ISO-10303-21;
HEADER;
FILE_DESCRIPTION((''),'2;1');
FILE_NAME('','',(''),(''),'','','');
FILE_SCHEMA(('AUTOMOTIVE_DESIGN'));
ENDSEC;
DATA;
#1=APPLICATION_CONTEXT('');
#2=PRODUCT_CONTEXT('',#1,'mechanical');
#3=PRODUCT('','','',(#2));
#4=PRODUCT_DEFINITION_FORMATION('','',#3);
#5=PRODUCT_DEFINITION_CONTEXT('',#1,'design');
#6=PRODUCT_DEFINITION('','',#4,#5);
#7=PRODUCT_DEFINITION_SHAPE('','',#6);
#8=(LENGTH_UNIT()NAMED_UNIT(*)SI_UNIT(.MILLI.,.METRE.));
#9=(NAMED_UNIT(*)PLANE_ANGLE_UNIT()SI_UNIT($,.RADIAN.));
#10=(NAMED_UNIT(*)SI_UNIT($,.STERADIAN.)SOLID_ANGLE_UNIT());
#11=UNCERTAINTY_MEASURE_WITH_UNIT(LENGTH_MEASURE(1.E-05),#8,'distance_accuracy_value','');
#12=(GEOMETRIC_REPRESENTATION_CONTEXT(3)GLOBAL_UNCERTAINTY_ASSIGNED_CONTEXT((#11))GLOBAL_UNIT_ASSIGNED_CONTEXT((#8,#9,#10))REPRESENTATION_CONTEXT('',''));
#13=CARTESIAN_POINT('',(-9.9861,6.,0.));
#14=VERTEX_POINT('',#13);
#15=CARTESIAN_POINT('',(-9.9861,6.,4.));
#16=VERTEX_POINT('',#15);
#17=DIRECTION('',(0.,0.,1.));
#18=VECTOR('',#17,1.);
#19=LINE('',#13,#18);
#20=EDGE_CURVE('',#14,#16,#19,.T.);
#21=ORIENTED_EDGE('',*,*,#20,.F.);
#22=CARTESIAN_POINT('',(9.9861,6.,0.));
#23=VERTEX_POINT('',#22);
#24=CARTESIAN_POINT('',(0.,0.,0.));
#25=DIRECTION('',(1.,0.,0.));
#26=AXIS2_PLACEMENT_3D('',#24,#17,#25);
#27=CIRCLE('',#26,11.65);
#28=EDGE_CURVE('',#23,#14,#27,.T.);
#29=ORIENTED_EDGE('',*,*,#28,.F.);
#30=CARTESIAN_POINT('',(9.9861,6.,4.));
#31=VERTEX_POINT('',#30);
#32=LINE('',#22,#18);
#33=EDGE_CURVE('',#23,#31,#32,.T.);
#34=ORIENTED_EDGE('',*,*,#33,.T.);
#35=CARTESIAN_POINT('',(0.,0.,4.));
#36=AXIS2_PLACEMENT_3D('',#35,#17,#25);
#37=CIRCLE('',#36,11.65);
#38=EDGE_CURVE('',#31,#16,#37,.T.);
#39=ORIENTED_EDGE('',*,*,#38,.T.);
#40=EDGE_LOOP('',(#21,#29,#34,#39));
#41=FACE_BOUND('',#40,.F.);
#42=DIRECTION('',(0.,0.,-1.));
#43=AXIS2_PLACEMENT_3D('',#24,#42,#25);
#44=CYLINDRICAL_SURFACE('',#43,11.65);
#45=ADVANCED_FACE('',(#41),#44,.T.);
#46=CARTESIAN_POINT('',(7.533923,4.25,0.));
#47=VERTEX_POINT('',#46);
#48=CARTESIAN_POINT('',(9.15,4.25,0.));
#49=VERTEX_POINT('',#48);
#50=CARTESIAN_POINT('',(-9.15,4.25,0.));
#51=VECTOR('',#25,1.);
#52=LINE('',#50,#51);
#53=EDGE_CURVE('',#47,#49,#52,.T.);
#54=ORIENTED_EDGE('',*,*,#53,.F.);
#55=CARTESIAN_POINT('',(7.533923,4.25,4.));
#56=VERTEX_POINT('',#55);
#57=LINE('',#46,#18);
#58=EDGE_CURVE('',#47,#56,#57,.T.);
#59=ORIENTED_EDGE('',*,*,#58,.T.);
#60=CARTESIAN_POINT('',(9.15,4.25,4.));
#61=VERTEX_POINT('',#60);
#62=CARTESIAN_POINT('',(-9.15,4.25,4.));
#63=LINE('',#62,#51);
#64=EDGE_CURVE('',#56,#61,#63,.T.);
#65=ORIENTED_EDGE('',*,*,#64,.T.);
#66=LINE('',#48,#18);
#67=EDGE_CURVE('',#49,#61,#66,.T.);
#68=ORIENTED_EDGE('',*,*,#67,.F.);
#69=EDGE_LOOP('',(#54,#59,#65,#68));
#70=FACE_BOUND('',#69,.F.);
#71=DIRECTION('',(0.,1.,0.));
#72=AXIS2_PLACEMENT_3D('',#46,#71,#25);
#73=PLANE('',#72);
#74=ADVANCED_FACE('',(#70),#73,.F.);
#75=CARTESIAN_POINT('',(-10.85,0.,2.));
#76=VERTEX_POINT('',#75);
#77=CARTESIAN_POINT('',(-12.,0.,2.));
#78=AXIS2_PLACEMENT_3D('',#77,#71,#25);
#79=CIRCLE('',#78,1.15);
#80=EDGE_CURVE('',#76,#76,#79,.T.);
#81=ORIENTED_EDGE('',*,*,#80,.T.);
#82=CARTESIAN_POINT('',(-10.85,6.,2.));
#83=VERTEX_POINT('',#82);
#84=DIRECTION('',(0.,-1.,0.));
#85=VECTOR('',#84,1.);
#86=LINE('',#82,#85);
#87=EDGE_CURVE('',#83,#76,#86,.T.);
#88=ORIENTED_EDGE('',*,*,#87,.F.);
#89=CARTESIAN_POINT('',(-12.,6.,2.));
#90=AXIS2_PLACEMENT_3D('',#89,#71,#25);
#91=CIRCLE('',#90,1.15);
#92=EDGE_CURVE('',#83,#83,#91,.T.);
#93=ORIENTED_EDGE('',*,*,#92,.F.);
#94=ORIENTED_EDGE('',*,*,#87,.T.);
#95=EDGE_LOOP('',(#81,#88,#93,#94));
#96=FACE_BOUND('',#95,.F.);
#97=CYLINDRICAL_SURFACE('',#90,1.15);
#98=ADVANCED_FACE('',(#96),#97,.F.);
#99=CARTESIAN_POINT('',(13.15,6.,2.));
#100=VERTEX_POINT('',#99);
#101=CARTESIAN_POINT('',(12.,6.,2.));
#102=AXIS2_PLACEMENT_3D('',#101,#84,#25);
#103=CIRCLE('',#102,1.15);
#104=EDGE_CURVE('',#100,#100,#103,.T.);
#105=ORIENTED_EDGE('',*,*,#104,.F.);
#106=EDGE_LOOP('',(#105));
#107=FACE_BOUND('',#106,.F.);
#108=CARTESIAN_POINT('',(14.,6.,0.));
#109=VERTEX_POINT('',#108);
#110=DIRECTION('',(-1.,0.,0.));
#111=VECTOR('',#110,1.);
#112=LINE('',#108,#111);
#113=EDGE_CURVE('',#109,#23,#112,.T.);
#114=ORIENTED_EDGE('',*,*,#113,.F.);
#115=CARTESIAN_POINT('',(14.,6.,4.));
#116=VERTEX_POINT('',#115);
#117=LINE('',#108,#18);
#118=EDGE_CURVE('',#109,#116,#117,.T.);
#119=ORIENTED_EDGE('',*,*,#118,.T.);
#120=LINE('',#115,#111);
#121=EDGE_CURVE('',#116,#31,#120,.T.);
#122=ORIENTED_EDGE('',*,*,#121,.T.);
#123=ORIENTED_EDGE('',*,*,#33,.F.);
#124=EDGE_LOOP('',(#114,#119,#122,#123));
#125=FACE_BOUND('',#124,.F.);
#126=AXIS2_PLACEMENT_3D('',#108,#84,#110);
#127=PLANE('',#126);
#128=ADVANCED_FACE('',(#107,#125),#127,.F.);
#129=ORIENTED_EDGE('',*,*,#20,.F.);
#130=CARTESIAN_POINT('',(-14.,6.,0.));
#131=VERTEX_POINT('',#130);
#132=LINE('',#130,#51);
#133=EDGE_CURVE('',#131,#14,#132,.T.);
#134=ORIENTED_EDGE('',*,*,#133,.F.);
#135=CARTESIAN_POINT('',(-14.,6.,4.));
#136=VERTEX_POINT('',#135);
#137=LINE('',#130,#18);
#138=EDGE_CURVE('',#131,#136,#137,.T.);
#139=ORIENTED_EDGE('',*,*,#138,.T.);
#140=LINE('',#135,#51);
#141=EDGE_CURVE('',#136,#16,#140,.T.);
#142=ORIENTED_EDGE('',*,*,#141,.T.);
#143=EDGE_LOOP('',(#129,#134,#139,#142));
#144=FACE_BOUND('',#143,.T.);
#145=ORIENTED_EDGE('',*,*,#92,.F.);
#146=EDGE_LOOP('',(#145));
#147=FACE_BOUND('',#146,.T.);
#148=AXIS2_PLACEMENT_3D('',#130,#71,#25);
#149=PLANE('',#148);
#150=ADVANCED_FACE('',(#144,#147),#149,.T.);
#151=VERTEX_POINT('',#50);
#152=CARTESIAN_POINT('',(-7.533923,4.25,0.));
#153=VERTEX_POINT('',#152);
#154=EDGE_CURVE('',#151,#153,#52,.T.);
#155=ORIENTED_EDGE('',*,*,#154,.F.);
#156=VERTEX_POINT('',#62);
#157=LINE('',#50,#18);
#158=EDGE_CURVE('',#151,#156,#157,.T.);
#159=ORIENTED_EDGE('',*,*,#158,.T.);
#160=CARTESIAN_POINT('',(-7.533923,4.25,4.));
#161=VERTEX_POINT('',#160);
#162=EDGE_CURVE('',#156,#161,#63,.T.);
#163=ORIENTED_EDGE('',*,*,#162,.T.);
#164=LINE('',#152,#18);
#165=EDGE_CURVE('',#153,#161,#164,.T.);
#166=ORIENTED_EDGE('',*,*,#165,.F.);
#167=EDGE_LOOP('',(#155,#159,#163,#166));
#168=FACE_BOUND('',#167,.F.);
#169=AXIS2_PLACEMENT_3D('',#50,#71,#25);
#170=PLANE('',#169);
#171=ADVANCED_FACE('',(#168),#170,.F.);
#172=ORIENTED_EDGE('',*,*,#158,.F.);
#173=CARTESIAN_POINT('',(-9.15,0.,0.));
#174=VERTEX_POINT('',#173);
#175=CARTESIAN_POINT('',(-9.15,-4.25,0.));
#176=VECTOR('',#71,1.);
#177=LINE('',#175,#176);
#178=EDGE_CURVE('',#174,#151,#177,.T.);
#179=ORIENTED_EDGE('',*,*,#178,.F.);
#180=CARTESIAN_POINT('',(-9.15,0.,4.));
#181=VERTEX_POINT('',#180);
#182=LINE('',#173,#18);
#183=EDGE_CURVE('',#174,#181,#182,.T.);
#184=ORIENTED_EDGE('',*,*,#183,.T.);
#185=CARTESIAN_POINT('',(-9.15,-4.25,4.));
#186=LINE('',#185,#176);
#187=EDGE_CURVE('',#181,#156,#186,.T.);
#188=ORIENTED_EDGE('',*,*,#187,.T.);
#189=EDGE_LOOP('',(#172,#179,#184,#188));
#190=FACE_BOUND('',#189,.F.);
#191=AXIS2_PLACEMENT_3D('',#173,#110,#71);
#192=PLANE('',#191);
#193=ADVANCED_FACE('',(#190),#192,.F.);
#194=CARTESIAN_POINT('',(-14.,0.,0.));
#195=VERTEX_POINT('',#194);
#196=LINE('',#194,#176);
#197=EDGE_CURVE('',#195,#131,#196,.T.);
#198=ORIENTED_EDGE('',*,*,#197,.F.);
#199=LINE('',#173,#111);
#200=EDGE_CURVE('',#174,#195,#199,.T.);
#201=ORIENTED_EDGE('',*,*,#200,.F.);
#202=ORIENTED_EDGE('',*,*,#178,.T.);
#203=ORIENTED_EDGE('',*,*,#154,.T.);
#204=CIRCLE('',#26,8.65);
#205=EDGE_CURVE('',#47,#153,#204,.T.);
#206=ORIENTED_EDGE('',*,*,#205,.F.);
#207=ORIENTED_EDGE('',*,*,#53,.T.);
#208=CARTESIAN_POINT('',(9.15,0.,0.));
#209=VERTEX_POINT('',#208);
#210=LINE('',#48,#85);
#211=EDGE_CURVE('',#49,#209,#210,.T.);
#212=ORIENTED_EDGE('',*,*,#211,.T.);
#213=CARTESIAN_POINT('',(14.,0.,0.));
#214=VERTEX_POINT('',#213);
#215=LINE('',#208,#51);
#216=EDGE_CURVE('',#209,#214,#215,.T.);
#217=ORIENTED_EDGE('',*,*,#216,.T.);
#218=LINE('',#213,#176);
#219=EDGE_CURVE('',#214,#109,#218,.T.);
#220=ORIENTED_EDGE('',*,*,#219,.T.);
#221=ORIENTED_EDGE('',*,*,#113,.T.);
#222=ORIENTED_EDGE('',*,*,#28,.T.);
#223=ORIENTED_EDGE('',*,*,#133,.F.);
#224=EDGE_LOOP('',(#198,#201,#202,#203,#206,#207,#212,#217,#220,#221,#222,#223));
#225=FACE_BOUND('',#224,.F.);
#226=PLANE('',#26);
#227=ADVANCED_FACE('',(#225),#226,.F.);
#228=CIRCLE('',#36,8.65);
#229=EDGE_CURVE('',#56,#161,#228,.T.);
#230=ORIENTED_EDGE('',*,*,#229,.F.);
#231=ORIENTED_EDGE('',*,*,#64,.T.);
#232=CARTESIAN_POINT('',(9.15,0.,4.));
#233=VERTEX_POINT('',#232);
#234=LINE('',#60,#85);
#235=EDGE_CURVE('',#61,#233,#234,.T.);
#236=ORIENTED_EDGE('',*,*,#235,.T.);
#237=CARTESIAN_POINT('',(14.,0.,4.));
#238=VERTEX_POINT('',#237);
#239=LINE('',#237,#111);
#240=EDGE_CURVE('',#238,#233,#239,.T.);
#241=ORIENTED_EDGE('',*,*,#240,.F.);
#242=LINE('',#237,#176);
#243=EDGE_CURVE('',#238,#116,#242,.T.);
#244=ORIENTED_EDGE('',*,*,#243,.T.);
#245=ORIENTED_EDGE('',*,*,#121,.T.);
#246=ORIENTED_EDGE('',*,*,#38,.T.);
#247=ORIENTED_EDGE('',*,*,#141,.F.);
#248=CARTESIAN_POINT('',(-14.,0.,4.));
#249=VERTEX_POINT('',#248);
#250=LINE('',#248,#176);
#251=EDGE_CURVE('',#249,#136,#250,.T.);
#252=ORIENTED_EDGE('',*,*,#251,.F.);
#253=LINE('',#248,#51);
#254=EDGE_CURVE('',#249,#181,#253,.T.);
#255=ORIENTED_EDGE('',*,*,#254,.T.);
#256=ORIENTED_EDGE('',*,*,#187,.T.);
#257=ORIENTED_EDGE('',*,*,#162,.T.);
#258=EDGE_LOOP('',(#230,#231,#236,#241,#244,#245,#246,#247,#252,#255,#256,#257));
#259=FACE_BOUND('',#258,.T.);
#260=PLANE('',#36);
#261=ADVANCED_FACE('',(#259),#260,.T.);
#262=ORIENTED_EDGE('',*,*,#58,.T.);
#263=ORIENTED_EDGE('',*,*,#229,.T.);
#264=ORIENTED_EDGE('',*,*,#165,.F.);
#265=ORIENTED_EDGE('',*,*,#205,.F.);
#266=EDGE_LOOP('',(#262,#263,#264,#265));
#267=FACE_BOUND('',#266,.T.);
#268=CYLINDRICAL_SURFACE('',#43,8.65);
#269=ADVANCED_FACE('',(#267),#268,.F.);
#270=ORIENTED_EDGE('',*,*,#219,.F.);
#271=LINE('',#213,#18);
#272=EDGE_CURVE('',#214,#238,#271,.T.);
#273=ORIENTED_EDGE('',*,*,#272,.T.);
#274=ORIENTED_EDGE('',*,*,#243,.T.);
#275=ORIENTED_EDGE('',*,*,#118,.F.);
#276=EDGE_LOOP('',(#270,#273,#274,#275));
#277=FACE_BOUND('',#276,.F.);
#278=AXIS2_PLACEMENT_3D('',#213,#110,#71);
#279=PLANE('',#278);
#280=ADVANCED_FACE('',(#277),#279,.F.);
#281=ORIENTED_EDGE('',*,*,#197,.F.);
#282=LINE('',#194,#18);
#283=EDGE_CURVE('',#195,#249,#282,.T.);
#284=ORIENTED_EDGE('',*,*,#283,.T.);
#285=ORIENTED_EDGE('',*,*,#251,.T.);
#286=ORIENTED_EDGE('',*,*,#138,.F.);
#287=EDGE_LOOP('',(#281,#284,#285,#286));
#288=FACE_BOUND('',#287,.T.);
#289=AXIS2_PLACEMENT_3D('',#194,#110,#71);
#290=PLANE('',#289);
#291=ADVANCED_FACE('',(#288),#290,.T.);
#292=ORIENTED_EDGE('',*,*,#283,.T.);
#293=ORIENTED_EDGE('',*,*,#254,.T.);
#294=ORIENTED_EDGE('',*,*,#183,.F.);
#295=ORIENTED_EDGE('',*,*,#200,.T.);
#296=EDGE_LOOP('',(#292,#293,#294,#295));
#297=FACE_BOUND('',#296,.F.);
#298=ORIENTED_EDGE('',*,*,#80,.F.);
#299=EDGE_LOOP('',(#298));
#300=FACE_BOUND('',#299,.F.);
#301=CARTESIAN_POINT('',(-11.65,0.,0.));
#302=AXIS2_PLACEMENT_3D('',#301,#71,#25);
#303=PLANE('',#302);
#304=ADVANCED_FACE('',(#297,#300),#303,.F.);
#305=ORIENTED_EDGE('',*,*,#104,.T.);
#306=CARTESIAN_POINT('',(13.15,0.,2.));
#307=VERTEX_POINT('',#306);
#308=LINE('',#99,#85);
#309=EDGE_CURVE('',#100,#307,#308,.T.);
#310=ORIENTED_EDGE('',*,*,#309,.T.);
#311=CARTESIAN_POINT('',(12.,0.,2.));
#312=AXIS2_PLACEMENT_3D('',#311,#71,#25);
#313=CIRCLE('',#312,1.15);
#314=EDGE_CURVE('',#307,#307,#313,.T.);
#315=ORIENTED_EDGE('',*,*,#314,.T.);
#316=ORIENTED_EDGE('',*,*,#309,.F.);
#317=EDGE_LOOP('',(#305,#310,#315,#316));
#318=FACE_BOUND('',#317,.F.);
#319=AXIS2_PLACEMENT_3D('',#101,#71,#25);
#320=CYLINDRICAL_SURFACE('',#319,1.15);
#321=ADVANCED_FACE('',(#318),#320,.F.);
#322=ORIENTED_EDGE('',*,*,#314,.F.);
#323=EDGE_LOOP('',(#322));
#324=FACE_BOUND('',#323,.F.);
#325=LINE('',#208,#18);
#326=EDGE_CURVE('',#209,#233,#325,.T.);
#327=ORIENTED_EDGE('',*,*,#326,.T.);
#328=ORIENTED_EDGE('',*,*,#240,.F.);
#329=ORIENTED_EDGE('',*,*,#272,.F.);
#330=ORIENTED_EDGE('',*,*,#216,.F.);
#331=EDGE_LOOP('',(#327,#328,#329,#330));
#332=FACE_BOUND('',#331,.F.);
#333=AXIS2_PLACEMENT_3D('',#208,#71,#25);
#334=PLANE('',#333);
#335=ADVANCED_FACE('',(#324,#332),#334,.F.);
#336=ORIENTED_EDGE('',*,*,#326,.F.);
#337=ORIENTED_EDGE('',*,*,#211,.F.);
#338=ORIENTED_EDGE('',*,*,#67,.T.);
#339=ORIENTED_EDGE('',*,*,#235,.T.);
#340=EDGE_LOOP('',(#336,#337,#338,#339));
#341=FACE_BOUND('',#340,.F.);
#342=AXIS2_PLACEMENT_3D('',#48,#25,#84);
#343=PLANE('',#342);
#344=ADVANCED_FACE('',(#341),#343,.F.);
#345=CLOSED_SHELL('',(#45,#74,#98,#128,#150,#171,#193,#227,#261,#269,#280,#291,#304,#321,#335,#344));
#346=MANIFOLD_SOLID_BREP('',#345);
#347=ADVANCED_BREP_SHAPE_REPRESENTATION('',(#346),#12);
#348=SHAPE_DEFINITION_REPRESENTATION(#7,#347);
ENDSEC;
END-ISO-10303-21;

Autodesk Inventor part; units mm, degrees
ref_plane "YZ Plane" through (0, 0, 0) normal (1, 0, 0) x (0, 1, 0)
ref_plane "XZ Plane" through (0, 0, 0) normal (0, 1, 0) x (-1, 0, 0)
ref_plane "XY Plane" through (0, 0, 0) normal (0, 0, 1) x (1, 0, 0)
sketch "스케치1" plane through (0, 0, 0) normal (0, 0, 1) x (1, 0, 0)
  line L0 (-14, 0) -> (14, 0)
  circle A0 centre (0, 0) radius 8.65
  line L1 (-9.15, 4.25) -> (9.15, 4.25)
  line L2 (9.15, 4.25) -> (9.15, -4.25)
  line L3 (9.15, -4.25) -> (-9.15, -4.25)
  line L4 (-9.15, -4.25) -> (-9.15, 4.25)
  line L5 (-9.15, 4.25) -> (9.15, -4.25) construction
  line L6 (9.15, 4.25) -> (-9.15, -4.25) construction
  line L7 (-14, 0) -> (-14, 6)
  line L8 (-14, 6) -> (-9.9861, 6)
  circle A1 centre (0, 0) radius 11.65
  line L9 (0, 0) -> (0, -1.5654)
  line L10 (14, 0) -> (14, 6)
  line L11 (14, 6) -> (9.9861, 6)
  point P0 (-9.15, 0)
  point P1 (-7.5339, 4.25)
  point P2 (7.5339, 4.25)
  point P3 (9.15, 0)
  dimension "d0" = 28
  dimension "d1" = 17.3
  dimension "d2" = 18.3
  dimension "d3" = 8.5
  dimension "d4" = 6
  dimension "d5" = 3
extrude "돌출1" add sketch "스케치1" along normal blind 4 contours L2 L1 A0 L4 L0 A1 | A1 L11 L10 L0 | L0 L7 L8 A1
sketch "스케치2" plane through (-14, 6, 0) normal (0, 1, 0) x (1, 0, 0)
  line L0 (2, -2) -> (26, -2)
  line L1 (4.0139, 0) -> (0, 0) projected
  line L2 (4.0139, 0) -> (23.9861, 0) projected
  circle A0 centre (2, -2) radius 1.15
  circle A1 centre (26, -2) radius 1.15
  point P0 (14, 0)
  point P1 (14, -2)
  point P2 (14, 0)
  dimension "d8" = 2
  dimension "d9" = 24
  dimension "d10" = 2.3
  dimension "d11" = 2.3
extrude "돌출2" cut sketch "스케치2" against normal up to surface (6 mm away)
properties part number "가스벨브 상단 커버"
